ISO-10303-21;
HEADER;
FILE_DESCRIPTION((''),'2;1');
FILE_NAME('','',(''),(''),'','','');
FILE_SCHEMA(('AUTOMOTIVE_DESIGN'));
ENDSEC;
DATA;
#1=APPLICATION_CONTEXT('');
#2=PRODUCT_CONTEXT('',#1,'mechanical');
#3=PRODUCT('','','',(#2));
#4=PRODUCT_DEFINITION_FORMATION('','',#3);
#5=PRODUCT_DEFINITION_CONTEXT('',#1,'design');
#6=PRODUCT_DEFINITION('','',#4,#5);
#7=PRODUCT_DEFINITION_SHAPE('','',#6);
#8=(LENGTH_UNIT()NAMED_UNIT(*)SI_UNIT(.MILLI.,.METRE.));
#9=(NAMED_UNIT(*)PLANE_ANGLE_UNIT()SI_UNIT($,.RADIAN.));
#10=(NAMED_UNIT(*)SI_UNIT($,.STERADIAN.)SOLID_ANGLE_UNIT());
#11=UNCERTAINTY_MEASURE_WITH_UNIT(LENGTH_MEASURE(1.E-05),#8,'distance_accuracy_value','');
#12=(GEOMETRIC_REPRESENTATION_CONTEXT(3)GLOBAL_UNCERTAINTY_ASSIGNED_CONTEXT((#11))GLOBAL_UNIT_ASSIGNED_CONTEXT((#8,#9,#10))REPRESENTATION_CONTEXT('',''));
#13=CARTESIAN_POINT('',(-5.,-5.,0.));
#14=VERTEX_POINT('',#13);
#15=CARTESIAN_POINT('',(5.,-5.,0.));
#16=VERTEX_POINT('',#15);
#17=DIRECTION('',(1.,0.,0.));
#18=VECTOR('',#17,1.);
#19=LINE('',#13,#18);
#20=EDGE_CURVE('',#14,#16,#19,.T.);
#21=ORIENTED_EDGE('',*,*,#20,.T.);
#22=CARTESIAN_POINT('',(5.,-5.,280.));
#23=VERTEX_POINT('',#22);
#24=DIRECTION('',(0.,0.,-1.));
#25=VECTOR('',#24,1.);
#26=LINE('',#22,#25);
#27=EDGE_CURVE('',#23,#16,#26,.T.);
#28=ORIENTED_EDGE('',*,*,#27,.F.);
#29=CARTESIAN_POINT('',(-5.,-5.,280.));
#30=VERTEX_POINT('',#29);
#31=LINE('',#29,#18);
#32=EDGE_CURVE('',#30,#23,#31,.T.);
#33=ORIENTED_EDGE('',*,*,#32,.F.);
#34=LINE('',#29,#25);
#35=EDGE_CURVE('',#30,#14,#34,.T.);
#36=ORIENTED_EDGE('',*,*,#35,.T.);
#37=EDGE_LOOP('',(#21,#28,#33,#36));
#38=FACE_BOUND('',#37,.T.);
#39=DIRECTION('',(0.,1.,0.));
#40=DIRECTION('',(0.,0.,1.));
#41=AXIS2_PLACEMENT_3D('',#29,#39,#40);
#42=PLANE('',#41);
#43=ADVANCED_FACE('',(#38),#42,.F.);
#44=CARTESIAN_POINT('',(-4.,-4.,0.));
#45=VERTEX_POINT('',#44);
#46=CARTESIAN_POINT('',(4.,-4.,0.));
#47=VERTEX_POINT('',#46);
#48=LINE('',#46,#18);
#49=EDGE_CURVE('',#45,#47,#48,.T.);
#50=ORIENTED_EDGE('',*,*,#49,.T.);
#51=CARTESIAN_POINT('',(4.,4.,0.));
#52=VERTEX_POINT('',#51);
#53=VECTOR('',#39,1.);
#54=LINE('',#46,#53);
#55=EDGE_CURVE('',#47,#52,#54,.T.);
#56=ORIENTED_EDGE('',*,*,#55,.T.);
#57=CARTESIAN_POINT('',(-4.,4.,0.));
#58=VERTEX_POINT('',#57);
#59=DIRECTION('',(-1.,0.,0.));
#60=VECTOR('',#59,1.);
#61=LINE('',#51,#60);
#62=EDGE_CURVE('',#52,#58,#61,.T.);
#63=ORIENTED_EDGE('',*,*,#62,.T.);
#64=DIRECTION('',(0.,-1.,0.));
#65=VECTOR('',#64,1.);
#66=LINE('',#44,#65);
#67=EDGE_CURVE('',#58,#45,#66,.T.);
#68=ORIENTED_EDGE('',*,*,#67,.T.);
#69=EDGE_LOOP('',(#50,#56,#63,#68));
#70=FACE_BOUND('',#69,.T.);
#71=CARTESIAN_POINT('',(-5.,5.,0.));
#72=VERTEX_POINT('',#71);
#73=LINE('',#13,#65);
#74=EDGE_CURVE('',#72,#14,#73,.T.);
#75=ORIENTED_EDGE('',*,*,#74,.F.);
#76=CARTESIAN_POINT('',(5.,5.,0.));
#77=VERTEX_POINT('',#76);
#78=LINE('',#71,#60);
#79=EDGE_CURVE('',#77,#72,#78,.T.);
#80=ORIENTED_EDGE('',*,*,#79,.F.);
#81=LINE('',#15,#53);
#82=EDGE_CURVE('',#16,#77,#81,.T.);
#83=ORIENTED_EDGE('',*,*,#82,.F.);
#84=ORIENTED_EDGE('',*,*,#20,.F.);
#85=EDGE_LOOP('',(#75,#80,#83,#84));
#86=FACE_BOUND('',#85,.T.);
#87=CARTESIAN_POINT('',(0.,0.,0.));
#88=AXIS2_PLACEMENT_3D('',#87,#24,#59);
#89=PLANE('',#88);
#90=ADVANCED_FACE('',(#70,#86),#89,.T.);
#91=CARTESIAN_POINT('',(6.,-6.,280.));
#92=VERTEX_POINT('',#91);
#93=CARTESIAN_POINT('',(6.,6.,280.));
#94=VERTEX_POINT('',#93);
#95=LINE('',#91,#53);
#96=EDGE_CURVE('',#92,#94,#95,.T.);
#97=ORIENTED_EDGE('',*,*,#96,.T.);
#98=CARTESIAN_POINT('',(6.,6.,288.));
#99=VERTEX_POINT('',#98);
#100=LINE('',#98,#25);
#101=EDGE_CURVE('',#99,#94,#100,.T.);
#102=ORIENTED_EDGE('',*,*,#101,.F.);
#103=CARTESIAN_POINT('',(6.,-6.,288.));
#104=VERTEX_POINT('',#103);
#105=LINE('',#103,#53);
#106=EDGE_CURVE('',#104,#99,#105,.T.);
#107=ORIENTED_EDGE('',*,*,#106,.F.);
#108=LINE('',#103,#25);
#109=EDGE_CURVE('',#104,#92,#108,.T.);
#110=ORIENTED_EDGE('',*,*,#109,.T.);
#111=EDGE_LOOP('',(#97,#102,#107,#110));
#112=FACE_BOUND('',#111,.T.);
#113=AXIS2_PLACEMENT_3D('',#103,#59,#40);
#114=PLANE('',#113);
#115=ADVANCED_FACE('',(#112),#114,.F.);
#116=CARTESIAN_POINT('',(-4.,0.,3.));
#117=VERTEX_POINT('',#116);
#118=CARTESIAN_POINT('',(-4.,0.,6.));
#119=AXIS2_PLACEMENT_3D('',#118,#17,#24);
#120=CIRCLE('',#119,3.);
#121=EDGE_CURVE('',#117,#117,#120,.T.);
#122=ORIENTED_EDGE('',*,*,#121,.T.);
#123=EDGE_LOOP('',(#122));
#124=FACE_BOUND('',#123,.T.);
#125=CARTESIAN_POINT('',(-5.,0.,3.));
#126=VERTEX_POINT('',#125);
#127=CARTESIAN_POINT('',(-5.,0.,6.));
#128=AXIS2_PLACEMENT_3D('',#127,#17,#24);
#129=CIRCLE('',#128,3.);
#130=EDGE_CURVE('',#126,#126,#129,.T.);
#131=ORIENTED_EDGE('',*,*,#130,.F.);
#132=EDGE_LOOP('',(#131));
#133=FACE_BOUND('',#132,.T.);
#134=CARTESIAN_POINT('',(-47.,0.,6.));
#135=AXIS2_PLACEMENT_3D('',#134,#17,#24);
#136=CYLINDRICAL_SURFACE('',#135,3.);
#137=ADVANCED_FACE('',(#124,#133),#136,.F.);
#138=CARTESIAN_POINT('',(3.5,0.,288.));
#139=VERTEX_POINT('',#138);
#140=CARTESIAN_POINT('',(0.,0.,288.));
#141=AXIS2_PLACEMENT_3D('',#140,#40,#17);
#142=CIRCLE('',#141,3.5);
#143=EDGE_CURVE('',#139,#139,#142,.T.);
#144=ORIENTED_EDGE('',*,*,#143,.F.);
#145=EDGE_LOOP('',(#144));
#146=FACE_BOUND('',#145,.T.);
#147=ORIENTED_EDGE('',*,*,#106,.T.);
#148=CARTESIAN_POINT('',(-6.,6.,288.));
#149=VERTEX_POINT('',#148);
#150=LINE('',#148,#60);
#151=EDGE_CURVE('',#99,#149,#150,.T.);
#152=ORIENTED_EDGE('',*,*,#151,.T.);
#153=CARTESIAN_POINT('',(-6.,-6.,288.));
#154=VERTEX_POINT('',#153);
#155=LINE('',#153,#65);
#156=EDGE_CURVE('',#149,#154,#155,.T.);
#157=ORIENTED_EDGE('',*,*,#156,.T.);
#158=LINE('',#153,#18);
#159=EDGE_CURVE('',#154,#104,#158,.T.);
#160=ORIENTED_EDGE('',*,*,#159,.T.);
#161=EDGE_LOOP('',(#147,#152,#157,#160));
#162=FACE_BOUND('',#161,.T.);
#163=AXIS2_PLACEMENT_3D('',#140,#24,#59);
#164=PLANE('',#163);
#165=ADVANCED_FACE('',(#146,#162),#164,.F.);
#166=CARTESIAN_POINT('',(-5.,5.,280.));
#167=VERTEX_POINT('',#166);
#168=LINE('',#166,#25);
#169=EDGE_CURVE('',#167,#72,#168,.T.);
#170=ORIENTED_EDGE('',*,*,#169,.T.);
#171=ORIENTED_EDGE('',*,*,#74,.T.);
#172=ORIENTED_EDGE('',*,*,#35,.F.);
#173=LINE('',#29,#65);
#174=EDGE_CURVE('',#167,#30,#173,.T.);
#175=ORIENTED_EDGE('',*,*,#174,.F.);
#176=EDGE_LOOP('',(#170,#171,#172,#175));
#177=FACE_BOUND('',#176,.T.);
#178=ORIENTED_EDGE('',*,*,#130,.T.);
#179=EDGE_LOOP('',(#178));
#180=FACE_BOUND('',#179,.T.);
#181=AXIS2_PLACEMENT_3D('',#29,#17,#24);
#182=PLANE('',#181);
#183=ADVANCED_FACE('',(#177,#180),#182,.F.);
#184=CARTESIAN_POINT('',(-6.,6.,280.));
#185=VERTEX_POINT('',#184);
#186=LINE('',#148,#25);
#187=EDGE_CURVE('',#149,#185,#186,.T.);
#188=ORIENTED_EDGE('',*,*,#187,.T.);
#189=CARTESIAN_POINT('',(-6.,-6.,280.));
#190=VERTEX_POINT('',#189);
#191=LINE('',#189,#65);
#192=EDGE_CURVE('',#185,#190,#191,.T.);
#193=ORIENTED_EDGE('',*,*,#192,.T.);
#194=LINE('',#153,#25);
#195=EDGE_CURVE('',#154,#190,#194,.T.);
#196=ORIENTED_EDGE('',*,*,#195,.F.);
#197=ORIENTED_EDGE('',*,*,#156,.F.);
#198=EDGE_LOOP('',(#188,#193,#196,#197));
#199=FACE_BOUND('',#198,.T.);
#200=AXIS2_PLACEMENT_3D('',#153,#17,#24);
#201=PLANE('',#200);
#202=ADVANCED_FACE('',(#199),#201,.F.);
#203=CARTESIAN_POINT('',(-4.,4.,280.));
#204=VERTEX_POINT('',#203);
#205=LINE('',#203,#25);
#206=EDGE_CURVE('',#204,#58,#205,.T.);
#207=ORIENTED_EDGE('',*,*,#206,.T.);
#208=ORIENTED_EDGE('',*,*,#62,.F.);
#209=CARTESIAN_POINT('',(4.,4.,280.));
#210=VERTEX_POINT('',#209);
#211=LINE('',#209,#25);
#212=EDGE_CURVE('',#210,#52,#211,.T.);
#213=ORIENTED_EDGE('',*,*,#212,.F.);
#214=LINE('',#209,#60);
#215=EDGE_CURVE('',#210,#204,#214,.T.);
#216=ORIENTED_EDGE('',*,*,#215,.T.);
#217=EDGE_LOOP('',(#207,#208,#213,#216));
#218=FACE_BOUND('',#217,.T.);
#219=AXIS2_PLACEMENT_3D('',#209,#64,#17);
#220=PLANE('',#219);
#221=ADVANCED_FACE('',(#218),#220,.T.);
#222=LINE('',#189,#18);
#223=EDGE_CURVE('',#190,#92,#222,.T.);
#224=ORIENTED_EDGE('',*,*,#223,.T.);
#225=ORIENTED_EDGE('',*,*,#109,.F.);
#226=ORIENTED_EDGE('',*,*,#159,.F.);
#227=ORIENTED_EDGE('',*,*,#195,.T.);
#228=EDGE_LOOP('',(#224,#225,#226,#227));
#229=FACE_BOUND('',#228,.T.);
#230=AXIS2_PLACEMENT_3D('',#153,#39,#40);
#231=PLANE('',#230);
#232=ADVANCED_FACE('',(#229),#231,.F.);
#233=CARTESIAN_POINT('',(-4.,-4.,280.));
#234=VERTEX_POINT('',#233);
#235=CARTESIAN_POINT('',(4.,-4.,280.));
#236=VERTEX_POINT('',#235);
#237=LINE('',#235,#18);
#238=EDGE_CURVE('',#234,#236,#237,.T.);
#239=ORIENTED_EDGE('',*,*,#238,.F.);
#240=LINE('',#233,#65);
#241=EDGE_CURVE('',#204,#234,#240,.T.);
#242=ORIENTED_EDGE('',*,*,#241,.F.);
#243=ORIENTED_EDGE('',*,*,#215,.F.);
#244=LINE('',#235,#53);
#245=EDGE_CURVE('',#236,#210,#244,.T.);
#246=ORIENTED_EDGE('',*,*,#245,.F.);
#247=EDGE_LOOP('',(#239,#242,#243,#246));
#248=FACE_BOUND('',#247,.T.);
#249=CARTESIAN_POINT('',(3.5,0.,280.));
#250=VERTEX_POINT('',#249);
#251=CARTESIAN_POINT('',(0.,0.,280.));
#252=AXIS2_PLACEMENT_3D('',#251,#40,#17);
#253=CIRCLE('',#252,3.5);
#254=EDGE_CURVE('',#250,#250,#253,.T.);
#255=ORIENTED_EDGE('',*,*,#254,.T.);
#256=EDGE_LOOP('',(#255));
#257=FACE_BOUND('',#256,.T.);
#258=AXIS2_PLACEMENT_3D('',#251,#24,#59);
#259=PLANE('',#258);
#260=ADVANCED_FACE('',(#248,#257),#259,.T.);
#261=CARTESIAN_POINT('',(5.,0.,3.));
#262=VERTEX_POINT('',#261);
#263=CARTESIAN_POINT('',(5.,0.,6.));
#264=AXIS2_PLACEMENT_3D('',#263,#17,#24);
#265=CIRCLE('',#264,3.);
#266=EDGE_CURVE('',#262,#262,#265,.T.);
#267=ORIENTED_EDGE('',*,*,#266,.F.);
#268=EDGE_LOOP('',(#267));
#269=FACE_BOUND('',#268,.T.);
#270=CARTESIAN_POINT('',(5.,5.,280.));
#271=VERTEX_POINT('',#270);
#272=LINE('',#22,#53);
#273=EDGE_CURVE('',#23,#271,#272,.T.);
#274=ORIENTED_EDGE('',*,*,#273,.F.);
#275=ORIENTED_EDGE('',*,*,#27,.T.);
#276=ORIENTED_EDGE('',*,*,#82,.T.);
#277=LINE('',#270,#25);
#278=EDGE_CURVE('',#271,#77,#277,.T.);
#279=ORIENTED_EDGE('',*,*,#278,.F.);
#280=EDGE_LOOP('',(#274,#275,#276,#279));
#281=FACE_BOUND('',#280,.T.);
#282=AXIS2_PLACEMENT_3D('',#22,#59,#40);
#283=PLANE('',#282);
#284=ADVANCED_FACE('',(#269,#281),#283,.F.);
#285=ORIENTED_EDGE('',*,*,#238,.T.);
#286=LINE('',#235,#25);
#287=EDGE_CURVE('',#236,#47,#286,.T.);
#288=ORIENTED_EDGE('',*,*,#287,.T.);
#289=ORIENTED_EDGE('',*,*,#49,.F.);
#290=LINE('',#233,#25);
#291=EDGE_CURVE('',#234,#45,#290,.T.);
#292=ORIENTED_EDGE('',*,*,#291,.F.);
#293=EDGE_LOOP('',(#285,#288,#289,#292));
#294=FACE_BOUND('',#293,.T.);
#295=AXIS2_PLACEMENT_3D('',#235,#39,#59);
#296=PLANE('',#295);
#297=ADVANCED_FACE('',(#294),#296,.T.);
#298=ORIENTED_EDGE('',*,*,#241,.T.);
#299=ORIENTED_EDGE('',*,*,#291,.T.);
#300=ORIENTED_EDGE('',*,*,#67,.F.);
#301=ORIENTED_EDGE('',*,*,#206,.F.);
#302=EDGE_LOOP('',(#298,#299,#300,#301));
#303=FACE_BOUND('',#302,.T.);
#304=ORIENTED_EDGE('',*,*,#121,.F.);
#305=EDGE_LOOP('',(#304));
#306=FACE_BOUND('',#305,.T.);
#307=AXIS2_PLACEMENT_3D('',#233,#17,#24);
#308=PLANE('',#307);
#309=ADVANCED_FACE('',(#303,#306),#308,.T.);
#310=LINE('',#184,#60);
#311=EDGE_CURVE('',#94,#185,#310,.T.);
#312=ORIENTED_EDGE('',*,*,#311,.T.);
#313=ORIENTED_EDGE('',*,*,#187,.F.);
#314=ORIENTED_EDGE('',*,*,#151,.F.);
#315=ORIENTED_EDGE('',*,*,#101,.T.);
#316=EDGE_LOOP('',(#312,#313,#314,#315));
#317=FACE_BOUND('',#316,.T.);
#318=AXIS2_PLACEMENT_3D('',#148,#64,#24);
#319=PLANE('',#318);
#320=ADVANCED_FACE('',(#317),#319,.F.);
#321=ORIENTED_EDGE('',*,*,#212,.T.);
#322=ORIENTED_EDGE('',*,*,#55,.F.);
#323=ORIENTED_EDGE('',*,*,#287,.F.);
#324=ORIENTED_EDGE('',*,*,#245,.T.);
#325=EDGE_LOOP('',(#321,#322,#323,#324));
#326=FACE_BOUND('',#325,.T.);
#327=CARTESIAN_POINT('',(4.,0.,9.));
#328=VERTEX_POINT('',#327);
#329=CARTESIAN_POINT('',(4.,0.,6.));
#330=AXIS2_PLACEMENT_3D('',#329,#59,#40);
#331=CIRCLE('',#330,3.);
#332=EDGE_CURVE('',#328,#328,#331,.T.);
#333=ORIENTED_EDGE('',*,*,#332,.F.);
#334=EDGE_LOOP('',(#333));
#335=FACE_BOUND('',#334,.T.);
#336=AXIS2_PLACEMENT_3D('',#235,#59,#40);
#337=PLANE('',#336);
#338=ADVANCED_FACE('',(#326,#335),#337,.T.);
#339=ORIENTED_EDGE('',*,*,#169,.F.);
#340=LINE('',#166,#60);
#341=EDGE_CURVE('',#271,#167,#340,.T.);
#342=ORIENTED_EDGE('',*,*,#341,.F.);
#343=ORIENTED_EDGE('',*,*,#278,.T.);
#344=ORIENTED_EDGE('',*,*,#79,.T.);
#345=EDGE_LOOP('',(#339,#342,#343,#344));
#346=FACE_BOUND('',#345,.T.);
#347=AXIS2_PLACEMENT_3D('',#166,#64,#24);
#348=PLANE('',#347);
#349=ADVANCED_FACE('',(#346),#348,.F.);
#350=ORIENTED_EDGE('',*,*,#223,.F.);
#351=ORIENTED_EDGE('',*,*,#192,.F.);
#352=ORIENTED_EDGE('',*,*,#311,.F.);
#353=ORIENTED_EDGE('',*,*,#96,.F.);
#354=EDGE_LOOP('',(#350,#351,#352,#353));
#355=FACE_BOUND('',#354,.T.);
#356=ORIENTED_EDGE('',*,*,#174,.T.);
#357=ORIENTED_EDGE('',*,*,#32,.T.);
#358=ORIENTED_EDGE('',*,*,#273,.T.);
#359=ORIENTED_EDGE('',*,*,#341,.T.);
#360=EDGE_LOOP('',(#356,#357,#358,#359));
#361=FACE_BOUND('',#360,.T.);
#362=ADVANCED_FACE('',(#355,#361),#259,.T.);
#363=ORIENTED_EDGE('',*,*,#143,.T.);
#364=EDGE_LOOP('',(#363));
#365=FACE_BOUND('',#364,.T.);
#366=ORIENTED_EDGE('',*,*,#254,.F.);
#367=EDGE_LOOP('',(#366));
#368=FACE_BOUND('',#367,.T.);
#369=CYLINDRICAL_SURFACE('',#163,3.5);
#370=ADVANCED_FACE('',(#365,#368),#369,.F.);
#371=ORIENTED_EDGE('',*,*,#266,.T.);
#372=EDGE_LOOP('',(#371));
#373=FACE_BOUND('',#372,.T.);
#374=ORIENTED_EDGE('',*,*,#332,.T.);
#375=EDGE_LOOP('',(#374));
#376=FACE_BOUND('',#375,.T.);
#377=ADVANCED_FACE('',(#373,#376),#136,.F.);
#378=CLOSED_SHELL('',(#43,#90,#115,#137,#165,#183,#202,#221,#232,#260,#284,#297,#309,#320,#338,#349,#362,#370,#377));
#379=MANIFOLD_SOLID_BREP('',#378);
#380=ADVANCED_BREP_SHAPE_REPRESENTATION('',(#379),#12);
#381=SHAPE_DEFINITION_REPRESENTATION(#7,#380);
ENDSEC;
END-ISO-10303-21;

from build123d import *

# Parameters (mm, degrees)
ESQUISSE2_W             = 10
ESQUISSE2_H             = 10
ESQUISSE2_W_2           = 8
ESQUISSE2_H_2           = 8
BOSS_EXTRU_1_DEPTH      = 280
ESQUISSE3_R             = 3
ENL_V_MAT_EXTRU_1_DEPTH = 52
ESQUISSE4_W             = 12
ESQUISSE4_H             = 12
ESQUISSE4_R             = 3.5
BOSS_EXTRU_2_DEPTH      = 8


with BuildPart() as part:
    # Esquisse2 → Boss.-Extru.1 (new body)
    with BuildSketch(Plane.XY):
        Rectangle(ESQUISSE2_W, ESQUISSE2_H)
        Rectangle(ESQUISSE2_W_2, ESQUISSE2_H_2, mode=Mode.SUBTRACT)
    extrude(amount=BOSS_EXTRU_1_DEPTH)

    # Esquisse3 → Enlèv. mat.-Extru.1 (cut)
    with BuildSketch(Plane(origin=(5, 0, 0), x_dir=(0, 0, -1), z_dir=(1, 0, 0))):
        with Locations((-6, 0)):
            Circle(ESQUISSE3_R)
    extrude(amount=-ENL_V_MAT_EXTRU_1_DEPTH, mode=Mode.SUBTRACT)

    # Esquisse4 → Boss.-Extru.2 (add)
    with BuildSketch(Plane.XY.offset(280)):
        Rectangle(ESQUISSE4_W, ESQUISSE4_H)
        Circle(ESQUISSE4_R, mode=Mode.SUBTRACT)
    extrude(amount=BOSS_EXTRU_2_DEPTH)


solid = part.part
